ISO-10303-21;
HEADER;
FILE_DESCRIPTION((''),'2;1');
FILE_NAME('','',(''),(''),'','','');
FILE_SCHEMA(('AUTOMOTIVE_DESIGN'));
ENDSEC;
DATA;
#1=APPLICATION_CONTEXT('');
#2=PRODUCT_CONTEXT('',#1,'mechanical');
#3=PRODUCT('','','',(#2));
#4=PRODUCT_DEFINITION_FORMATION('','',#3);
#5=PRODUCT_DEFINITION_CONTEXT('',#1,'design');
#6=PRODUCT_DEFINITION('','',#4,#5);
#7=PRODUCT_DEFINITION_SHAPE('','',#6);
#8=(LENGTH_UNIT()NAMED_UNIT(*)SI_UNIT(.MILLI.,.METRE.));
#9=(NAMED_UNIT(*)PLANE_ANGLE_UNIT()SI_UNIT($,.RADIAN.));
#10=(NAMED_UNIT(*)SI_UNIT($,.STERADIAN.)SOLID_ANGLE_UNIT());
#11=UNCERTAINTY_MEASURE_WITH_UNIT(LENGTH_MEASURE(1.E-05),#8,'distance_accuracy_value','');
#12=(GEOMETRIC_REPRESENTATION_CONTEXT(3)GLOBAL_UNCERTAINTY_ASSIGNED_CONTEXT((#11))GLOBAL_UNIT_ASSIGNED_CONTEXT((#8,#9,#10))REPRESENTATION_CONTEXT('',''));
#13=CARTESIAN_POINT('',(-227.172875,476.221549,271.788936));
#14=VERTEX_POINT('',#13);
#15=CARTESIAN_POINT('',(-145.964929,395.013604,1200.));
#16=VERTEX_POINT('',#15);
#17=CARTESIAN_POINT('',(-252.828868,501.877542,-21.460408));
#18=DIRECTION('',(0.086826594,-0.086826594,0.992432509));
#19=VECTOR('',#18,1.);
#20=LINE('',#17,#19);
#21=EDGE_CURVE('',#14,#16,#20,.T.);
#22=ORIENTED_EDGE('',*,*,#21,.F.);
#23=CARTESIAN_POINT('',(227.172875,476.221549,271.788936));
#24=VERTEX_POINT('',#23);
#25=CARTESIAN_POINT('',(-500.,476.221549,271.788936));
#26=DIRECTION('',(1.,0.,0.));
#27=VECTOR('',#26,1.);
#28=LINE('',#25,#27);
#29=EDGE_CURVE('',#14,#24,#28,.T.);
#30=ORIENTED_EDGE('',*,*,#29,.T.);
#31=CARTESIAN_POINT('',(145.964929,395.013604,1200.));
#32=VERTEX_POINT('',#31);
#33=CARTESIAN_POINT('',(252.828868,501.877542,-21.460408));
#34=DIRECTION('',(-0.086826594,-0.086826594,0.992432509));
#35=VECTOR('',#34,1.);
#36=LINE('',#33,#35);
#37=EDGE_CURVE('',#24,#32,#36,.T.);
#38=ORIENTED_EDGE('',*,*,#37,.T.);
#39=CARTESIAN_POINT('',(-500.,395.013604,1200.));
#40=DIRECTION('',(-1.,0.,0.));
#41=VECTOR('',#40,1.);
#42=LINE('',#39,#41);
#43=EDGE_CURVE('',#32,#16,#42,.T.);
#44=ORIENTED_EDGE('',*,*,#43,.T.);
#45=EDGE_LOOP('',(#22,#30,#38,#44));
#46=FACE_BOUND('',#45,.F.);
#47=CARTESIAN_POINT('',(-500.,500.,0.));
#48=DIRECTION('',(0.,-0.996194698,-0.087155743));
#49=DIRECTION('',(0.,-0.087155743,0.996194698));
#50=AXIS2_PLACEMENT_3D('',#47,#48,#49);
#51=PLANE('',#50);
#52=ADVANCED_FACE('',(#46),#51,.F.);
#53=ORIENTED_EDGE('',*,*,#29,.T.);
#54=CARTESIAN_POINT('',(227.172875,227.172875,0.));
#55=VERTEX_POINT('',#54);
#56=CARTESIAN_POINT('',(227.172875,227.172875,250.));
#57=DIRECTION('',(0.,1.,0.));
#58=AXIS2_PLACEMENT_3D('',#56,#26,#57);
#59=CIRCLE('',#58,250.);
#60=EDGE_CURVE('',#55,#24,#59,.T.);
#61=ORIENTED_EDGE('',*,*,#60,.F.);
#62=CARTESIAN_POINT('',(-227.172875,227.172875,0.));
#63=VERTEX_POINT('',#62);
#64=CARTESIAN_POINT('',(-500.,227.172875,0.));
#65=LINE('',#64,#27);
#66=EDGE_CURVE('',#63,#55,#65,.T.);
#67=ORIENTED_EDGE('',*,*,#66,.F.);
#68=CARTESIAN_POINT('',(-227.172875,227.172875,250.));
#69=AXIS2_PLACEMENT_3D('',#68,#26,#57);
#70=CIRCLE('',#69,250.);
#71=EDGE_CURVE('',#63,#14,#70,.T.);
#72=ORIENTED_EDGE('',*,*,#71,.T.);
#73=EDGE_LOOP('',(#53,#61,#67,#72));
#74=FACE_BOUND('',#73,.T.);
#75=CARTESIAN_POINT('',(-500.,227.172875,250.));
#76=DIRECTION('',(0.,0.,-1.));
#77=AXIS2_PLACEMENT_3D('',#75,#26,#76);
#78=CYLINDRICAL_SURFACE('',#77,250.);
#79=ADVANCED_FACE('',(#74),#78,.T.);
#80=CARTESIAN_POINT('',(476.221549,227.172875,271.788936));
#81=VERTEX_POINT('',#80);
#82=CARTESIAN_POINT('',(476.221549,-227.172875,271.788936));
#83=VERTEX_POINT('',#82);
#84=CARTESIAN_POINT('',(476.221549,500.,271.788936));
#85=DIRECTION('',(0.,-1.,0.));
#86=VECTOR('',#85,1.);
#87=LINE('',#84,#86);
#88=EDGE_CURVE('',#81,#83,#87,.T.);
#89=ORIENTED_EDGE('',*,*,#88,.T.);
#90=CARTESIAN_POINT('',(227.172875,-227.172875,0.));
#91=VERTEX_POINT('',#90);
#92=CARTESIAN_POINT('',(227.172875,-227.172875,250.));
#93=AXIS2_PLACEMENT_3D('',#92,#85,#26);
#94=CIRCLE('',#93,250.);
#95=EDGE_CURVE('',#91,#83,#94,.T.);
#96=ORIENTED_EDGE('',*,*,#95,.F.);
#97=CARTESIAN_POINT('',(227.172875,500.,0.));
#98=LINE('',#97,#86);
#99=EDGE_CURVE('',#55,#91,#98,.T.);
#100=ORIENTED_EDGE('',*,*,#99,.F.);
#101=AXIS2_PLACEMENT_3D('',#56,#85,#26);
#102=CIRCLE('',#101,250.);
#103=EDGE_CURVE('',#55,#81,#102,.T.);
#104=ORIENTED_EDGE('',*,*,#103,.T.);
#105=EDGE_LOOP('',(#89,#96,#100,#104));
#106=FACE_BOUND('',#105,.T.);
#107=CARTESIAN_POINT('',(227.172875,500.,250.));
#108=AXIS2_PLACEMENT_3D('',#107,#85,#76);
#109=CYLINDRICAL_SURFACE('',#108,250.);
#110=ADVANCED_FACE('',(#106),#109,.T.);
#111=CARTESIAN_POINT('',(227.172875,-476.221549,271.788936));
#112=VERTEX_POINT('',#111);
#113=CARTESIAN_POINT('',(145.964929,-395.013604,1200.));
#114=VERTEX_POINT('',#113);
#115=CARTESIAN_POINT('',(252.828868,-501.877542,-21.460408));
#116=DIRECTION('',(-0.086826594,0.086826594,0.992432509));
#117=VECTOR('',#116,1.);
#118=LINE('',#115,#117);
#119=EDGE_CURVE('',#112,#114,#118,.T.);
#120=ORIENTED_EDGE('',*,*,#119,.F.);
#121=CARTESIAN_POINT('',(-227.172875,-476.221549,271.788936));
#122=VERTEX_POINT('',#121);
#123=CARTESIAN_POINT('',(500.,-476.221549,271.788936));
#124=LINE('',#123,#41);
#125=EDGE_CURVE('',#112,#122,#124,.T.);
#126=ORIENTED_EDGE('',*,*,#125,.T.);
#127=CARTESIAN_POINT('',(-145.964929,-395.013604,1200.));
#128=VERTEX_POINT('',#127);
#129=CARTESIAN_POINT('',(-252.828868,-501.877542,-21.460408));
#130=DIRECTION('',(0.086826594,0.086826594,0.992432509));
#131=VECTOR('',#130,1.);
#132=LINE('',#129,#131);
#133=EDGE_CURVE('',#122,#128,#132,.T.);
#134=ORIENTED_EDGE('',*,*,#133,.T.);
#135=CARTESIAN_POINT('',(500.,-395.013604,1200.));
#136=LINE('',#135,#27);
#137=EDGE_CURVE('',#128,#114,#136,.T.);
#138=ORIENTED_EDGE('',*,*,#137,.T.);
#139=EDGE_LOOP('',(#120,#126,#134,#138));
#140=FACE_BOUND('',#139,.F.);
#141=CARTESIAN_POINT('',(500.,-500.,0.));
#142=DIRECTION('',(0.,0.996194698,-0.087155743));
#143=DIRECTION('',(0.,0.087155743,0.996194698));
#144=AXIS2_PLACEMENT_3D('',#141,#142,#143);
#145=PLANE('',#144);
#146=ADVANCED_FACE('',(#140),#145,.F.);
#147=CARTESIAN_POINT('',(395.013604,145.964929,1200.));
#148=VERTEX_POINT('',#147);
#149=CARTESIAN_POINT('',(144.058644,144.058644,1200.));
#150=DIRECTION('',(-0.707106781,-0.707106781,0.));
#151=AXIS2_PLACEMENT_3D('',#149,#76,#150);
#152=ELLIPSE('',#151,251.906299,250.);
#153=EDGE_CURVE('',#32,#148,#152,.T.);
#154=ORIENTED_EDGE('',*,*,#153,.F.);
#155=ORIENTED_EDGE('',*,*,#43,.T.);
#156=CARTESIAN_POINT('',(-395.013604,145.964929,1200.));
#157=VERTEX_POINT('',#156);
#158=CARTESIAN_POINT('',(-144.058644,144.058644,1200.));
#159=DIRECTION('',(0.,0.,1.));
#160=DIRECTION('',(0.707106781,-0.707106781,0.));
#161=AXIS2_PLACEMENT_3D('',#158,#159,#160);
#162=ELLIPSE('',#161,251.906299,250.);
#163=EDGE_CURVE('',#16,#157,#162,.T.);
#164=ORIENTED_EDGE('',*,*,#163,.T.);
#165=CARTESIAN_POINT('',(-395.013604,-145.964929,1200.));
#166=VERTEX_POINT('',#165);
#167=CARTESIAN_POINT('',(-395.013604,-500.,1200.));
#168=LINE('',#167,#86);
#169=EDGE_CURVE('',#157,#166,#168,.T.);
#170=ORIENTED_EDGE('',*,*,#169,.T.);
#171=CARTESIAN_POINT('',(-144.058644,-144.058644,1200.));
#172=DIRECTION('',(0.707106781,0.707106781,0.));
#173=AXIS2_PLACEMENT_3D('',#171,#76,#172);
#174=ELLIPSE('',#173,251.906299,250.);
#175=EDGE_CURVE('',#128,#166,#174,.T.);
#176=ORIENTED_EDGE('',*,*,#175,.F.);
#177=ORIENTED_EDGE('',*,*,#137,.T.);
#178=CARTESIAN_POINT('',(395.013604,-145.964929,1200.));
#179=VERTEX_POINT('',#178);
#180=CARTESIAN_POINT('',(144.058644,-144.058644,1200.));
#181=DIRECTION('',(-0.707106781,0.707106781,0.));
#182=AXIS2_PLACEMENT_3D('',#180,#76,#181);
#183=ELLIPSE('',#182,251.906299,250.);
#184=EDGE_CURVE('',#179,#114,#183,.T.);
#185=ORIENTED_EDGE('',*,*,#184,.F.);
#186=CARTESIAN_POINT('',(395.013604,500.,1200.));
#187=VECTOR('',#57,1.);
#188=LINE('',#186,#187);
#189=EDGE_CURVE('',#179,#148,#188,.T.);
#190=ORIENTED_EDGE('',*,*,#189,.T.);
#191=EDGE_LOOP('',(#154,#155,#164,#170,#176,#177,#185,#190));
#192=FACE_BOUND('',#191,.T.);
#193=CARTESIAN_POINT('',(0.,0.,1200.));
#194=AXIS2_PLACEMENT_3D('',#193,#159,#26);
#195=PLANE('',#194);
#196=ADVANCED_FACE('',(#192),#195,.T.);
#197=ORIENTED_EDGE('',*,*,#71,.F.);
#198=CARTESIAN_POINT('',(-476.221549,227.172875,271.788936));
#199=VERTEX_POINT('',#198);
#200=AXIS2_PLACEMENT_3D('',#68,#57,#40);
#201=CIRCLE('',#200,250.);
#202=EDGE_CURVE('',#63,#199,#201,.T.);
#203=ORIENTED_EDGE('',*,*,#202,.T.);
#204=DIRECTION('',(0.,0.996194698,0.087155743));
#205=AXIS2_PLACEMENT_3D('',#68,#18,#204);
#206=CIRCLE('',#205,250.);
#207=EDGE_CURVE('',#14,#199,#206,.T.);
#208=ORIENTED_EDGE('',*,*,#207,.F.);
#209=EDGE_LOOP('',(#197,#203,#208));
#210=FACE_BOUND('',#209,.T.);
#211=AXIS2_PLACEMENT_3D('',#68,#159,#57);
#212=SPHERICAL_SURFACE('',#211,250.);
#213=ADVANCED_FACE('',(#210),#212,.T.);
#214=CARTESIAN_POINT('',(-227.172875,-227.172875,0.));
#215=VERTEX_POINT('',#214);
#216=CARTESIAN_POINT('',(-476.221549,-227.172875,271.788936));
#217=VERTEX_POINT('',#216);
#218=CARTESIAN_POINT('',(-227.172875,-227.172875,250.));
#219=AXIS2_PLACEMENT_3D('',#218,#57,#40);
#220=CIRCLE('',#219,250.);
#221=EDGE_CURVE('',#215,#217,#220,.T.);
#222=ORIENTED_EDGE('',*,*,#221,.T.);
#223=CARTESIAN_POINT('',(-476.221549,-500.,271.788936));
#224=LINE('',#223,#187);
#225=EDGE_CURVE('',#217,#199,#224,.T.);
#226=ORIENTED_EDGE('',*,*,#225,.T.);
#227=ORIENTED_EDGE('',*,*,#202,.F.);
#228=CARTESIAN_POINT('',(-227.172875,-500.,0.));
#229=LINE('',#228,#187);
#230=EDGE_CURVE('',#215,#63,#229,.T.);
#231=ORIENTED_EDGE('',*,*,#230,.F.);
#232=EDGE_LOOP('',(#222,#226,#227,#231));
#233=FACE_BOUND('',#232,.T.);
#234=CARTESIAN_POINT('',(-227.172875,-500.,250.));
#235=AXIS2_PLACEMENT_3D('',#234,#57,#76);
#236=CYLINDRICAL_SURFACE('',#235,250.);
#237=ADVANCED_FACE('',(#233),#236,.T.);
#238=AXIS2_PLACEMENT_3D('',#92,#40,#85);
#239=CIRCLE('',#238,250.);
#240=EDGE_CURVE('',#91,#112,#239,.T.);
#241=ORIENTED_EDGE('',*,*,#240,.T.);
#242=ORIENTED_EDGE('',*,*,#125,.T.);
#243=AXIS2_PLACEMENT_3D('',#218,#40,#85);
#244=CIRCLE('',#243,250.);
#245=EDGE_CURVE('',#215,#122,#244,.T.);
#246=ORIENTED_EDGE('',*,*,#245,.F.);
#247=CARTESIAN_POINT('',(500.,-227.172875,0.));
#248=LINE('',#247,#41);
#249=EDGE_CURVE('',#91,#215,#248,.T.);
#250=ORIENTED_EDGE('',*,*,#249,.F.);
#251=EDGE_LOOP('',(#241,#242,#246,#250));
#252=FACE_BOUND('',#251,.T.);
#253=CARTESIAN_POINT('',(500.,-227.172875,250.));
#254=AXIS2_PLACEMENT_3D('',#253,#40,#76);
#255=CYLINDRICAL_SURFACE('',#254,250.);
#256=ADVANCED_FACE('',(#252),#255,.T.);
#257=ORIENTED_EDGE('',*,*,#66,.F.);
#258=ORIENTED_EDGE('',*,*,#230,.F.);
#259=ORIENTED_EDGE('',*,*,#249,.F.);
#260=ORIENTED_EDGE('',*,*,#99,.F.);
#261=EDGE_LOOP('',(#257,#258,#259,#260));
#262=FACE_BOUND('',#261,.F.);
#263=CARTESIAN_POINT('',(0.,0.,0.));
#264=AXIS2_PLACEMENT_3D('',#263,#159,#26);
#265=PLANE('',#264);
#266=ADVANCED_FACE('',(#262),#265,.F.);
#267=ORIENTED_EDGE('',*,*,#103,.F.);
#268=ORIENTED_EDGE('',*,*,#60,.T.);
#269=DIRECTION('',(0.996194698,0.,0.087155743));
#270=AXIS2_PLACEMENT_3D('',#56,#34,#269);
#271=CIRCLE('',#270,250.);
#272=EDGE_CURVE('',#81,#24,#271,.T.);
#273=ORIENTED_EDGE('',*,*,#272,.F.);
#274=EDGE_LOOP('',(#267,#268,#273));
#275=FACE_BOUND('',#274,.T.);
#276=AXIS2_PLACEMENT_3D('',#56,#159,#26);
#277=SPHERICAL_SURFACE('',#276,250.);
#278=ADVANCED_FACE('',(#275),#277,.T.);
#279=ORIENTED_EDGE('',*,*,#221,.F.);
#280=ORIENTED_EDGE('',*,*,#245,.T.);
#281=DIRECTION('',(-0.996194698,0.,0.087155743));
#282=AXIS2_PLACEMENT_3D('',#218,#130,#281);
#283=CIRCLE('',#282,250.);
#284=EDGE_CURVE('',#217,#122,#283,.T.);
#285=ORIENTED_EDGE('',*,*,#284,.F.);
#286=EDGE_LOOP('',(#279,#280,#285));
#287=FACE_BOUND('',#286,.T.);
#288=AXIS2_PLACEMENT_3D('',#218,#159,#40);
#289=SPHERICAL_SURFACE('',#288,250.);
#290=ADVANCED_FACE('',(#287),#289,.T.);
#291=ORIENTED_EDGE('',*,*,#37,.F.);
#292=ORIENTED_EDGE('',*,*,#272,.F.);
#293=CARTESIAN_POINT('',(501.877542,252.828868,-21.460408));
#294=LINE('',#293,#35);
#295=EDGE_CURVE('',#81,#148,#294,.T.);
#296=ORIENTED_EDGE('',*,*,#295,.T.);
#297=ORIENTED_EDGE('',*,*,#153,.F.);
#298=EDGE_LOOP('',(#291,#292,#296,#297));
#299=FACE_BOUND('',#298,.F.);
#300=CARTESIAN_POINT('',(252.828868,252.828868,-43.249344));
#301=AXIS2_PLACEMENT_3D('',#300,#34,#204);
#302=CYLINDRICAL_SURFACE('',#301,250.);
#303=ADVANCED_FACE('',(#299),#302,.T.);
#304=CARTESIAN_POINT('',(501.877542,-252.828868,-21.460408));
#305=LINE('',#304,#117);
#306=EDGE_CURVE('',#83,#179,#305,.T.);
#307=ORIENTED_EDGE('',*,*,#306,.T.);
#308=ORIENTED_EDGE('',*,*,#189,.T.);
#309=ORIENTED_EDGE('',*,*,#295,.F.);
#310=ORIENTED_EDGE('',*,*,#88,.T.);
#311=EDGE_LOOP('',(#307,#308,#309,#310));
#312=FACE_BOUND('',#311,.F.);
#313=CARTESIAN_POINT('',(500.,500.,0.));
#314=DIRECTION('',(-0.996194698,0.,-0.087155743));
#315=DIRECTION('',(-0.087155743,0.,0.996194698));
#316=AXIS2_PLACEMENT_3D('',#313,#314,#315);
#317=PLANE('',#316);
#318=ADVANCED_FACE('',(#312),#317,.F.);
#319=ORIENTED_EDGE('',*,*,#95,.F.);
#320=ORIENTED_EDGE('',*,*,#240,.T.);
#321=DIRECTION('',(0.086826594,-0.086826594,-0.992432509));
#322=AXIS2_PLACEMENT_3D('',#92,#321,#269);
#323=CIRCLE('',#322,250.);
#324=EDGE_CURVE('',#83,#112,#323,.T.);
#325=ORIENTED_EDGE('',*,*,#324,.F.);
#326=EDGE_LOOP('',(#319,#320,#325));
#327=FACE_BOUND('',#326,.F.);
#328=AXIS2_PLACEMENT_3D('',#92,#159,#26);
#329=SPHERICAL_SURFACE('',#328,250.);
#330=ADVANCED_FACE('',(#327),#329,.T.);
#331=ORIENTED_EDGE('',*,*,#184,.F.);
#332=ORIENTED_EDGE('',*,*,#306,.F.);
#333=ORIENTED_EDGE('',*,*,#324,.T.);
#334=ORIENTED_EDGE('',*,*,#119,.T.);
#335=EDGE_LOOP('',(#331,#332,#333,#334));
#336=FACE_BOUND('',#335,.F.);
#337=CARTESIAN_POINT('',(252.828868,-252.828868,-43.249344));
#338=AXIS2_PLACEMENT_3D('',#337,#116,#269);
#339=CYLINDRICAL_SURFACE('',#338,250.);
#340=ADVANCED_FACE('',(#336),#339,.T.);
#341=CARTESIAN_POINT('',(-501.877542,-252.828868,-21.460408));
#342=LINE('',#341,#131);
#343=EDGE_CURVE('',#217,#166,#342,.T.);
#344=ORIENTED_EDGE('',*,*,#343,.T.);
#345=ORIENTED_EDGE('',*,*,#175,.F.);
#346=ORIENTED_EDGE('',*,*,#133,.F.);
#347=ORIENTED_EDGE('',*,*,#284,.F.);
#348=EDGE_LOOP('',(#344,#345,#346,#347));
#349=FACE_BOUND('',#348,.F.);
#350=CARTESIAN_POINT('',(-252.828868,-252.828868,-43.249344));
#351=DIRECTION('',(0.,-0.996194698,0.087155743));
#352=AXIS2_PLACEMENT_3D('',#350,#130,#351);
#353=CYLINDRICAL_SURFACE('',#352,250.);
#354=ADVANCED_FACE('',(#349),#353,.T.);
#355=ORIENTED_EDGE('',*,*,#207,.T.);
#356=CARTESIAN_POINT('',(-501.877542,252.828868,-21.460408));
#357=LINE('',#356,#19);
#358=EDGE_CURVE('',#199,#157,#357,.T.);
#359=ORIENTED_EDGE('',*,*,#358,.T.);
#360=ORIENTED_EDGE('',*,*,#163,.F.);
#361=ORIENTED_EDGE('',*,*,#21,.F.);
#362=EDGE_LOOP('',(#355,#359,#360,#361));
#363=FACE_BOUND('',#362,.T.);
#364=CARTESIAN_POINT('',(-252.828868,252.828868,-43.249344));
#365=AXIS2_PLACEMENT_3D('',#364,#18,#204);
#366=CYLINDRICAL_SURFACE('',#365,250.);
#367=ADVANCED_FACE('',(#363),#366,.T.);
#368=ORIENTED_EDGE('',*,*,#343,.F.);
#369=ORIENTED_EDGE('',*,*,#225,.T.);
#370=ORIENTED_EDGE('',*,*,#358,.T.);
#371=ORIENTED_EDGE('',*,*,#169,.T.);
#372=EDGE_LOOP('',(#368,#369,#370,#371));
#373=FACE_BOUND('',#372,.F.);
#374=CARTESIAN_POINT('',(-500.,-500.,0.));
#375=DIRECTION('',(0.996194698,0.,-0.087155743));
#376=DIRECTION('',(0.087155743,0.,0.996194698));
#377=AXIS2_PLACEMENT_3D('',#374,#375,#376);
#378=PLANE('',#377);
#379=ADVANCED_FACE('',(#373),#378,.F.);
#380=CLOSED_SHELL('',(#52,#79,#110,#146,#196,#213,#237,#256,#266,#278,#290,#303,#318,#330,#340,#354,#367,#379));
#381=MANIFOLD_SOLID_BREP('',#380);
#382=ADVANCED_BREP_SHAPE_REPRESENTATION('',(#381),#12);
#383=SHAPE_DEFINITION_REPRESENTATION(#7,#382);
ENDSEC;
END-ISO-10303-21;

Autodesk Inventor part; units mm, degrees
ref_plane "YZ Plane" through (0, 0, 0) normal (1, 0, 0) x (0, 1, 0)
ref_plane "XZ Plane" through (0, 0, 0) normal (0, 1, 0) x (-1, 0, 0)
ref_plane "XY Plane" through (0, 0, 0) normal (0, 0, 1) x (1, 0, 0)
sketch "Sketch1" plane through (0, 0, 0) normal (0, 0, 1) x (1, 0, 0)
  line L0 (-500, 500) -> (500, 500)
  line L1 (500, 500) -> (500, -500)
  line L2 (500, -500) -> (-500, -500)
  line L3 (-500, -500) -> (-500, 500)
  line L4 (-500, 500) -> (500, -500) construction
  line L5 (500, 500) -> (-500, -500) construction
  point P0 (0, 0)
  dimension "d0" = 1000
  dimension "d1" = 1000
extrude "Extrusion1" add sketch "Sketch1" along normal blind 1200 draft -5
fillet "Fillet1" radius 250 8 edges at (447.5068, 447.5068, 600) (-447.5068, 447.5068, 600) (447.5068, -447.5068, 600) (-447.5068, -447.5068, 600) (500, 0, 0) (0, 500, 0) (-500, 0, 0) (0, -500, 0)
properties part number "NDM-VOS dummy Crane"
